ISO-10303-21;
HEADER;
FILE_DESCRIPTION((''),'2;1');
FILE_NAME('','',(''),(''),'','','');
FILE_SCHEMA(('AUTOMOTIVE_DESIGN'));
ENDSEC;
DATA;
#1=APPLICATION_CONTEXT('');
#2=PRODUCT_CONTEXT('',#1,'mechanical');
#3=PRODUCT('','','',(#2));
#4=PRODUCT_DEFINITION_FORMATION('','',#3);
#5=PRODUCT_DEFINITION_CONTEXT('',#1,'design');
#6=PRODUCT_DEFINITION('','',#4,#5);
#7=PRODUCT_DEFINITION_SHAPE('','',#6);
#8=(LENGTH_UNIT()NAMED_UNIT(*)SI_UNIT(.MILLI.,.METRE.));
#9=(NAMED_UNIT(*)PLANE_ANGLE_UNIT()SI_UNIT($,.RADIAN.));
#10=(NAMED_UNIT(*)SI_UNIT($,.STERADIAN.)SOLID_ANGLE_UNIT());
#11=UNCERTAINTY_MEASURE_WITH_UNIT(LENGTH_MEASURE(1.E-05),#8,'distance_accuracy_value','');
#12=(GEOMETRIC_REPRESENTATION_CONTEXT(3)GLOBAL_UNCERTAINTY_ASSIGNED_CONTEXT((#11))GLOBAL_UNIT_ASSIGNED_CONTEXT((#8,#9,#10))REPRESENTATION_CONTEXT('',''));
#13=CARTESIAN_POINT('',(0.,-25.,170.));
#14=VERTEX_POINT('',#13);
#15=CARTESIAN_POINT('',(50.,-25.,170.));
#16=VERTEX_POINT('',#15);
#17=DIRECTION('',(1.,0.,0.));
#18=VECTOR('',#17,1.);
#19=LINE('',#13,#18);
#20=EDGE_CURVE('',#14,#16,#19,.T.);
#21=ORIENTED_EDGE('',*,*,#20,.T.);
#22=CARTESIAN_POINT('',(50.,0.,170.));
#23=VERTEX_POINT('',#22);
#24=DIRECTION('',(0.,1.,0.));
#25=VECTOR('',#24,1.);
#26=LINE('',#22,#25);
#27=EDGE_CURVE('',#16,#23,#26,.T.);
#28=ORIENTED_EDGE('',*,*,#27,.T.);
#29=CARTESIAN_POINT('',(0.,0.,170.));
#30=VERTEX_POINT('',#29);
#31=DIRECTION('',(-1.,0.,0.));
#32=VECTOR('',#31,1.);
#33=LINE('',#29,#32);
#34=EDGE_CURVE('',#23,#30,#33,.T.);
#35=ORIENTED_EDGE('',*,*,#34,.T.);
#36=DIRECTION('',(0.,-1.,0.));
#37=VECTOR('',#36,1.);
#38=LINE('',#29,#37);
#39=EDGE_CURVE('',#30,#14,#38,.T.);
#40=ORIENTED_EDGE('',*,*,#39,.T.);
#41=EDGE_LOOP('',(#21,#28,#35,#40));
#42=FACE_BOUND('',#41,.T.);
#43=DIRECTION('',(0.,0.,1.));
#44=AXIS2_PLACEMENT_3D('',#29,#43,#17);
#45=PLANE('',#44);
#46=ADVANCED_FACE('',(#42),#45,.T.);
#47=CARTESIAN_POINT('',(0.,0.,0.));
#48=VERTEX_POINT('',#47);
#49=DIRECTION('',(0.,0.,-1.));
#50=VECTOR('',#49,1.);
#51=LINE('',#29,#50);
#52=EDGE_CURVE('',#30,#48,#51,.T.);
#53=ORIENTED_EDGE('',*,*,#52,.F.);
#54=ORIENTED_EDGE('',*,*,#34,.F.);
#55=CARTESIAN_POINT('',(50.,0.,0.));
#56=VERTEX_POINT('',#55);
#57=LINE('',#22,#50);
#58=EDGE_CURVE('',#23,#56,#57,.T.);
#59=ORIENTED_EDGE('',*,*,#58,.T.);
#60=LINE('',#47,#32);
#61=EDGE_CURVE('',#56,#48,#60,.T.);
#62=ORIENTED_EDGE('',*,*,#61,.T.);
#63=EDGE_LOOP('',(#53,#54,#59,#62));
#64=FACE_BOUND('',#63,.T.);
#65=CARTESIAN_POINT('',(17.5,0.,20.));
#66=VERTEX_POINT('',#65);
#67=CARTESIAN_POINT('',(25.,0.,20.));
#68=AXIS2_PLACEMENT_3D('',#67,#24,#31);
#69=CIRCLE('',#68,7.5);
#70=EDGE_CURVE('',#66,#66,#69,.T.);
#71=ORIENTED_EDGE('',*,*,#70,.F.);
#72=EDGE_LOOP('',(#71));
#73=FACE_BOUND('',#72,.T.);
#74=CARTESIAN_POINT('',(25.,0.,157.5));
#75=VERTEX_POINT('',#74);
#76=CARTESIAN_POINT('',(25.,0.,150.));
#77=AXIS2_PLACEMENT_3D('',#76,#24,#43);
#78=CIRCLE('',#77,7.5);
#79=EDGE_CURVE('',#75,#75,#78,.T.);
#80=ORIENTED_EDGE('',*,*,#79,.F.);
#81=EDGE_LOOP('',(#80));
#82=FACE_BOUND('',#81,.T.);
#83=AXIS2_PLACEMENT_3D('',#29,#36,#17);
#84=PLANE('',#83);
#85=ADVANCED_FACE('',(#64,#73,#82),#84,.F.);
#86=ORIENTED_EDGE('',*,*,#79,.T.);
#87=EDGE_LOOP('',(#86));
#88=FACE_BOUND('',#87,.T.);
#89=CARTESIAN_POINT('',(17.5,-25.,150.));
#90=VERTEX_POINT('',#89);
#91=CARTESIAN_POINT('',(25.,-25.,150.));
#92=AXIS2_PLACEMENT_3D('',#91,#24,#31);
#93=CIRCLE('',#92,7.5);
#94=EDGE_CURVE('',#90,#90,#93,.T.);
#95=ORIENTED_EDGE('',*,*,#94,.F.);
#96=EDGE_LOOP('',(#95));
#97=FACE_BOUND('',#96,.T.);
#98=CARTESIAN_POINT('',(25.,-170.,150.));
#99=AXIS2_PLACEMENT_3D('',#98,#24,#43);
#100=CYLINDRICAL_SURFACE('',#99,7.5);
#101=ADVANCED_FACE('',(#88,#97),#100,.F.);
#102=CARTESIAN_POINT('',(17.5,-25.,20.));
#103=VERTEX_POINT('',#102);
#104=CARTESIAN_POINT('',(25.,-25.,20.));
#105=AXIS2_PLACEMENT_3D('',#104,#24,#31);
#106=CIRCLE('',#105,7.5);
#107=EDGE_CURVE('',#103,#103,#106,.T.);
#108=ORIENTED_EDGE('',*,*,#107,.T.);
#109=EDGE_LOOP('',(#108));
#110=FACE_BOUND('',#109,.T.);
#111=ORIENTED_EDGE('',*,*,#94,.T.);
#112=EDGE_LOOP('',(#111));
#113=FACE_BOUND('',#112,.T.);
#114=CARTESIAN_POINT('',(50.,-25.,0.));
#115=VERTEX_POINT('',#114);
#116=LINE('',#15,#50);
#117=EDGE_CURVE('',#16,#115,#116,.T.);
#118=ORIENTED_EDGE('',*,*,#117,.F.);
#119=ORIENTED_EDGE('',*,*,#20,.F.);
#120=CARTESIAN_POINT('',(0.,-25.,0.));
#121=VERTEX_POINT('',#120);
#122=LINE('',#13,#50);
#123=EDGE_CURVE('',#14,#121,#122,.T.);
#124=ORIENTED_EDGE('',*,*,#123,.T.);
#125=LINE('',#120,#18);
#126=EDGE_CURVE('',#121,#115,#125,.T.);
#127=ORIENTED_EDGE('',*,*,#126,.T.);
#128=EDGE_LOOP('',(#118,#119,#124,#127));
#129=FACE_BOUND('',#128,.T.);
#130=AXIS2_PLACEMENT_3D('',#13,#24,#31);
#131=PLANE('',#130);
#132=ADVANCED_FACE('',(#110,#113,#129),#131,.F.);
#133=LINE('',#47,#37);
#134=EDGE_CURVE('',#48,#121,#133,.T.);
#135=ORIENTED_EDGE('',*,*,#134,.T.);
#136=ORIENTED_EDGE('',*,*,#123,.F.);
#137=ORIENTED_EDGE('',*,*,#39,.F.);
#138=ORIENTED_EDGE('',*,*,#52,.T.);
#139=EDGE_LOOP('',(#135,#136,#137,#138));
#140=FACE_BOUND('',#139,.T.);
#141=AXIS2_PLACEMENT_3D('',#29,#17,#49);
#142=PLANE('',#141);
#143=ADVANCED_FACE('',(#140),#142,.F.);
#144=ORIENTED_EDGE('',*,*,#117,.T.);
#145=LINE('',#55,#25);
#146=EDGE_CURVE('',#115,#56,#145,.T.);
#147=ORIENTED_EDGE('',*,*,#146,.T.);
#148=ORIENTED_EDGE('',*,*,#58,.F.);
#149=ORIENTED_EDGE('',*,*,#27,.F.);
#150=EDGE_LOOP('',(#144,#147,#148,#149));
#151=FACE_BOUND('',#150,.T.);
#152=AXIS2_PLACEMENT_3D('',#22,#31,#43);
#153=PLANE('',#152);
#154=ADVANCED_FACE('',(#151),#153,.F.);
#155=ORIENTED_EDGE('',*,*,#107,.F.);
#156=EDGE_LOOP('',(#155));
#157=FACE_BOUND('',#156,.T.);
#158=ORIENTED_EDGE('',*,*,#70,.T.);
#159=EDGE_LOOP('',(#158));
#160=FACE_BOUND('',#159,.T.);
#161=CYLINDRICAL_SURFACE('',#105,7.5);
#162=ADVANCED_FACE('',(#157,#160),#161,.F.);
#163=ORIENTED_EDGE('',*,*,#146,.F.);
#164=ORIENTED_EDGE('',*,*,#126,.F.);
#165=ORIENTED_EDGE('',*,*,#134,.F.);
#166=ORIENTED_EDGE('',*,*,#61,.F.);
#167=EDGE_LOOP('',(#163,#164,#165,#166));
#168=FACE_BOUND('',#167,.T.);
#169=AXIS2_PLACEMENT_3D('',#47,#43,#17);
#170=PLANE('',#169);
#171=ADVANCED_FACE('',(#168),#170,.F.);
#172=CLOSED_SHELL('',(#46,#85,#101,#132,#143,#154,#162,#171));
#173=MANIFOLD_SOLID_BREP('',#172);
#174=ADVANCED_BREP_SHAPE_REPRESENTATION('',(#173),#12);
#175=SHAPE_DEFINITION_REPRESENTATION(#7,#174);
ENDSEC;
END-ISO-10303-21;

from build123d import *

# Parameters (mm, degrees)
SKETCH1_W           = 50
SKETCH1_H           = 25
BOSS_EXTRUDE1_DEPTH = 170
SKETCH2_R           = 7.5
CUT_EXTRUDE1_DEPTH  = 179.955301682
SKETCH3_R           = 7.5
CUT_EXTRUDE2_DEPTH  = 170


with BuildPart() as part:
    # Sketch1 → Boss-Extrude1 (new body)
    with BuildSketch(Plane.XY):
        with Locations((25, -12.5)):
            Rectangle(SKETCH1_W, SKETCH1_H)
    extrude(amount=BOSS_EXTRUDE1_DEPTH)

    # Sketch2 → Cut-Extrude1 (cut, through all)
    with BuildSketch(Plane(origin=(0, 0, 0), x_dir=(1, 0, 0), z_dir=(0, 1, 0))):
        with Locations(Location((25, -20, 0), (0, 0, 180))):
            Circle(SKETCH2_R)
    extrude(amount=-CUT_EXTRUDE1_DEPTH, mode=Mode.SUBTRACT)

    # Sketch3 → Cut-Extrude2 (cut)
    with BuildSketch(Plane(origin=(0, 0, 0), x_dir=(1, 0, 0), z_dir=(0, 1, 0))):
        with Locations(Location((25, -150, 0), (0, 0, 270))):
            Circle(SKETCH3_R)
    extrude(amount=-CUT_EXTRUDE2_DEPTH, mode=Mode.SUBTRACT)


solid = part.part
